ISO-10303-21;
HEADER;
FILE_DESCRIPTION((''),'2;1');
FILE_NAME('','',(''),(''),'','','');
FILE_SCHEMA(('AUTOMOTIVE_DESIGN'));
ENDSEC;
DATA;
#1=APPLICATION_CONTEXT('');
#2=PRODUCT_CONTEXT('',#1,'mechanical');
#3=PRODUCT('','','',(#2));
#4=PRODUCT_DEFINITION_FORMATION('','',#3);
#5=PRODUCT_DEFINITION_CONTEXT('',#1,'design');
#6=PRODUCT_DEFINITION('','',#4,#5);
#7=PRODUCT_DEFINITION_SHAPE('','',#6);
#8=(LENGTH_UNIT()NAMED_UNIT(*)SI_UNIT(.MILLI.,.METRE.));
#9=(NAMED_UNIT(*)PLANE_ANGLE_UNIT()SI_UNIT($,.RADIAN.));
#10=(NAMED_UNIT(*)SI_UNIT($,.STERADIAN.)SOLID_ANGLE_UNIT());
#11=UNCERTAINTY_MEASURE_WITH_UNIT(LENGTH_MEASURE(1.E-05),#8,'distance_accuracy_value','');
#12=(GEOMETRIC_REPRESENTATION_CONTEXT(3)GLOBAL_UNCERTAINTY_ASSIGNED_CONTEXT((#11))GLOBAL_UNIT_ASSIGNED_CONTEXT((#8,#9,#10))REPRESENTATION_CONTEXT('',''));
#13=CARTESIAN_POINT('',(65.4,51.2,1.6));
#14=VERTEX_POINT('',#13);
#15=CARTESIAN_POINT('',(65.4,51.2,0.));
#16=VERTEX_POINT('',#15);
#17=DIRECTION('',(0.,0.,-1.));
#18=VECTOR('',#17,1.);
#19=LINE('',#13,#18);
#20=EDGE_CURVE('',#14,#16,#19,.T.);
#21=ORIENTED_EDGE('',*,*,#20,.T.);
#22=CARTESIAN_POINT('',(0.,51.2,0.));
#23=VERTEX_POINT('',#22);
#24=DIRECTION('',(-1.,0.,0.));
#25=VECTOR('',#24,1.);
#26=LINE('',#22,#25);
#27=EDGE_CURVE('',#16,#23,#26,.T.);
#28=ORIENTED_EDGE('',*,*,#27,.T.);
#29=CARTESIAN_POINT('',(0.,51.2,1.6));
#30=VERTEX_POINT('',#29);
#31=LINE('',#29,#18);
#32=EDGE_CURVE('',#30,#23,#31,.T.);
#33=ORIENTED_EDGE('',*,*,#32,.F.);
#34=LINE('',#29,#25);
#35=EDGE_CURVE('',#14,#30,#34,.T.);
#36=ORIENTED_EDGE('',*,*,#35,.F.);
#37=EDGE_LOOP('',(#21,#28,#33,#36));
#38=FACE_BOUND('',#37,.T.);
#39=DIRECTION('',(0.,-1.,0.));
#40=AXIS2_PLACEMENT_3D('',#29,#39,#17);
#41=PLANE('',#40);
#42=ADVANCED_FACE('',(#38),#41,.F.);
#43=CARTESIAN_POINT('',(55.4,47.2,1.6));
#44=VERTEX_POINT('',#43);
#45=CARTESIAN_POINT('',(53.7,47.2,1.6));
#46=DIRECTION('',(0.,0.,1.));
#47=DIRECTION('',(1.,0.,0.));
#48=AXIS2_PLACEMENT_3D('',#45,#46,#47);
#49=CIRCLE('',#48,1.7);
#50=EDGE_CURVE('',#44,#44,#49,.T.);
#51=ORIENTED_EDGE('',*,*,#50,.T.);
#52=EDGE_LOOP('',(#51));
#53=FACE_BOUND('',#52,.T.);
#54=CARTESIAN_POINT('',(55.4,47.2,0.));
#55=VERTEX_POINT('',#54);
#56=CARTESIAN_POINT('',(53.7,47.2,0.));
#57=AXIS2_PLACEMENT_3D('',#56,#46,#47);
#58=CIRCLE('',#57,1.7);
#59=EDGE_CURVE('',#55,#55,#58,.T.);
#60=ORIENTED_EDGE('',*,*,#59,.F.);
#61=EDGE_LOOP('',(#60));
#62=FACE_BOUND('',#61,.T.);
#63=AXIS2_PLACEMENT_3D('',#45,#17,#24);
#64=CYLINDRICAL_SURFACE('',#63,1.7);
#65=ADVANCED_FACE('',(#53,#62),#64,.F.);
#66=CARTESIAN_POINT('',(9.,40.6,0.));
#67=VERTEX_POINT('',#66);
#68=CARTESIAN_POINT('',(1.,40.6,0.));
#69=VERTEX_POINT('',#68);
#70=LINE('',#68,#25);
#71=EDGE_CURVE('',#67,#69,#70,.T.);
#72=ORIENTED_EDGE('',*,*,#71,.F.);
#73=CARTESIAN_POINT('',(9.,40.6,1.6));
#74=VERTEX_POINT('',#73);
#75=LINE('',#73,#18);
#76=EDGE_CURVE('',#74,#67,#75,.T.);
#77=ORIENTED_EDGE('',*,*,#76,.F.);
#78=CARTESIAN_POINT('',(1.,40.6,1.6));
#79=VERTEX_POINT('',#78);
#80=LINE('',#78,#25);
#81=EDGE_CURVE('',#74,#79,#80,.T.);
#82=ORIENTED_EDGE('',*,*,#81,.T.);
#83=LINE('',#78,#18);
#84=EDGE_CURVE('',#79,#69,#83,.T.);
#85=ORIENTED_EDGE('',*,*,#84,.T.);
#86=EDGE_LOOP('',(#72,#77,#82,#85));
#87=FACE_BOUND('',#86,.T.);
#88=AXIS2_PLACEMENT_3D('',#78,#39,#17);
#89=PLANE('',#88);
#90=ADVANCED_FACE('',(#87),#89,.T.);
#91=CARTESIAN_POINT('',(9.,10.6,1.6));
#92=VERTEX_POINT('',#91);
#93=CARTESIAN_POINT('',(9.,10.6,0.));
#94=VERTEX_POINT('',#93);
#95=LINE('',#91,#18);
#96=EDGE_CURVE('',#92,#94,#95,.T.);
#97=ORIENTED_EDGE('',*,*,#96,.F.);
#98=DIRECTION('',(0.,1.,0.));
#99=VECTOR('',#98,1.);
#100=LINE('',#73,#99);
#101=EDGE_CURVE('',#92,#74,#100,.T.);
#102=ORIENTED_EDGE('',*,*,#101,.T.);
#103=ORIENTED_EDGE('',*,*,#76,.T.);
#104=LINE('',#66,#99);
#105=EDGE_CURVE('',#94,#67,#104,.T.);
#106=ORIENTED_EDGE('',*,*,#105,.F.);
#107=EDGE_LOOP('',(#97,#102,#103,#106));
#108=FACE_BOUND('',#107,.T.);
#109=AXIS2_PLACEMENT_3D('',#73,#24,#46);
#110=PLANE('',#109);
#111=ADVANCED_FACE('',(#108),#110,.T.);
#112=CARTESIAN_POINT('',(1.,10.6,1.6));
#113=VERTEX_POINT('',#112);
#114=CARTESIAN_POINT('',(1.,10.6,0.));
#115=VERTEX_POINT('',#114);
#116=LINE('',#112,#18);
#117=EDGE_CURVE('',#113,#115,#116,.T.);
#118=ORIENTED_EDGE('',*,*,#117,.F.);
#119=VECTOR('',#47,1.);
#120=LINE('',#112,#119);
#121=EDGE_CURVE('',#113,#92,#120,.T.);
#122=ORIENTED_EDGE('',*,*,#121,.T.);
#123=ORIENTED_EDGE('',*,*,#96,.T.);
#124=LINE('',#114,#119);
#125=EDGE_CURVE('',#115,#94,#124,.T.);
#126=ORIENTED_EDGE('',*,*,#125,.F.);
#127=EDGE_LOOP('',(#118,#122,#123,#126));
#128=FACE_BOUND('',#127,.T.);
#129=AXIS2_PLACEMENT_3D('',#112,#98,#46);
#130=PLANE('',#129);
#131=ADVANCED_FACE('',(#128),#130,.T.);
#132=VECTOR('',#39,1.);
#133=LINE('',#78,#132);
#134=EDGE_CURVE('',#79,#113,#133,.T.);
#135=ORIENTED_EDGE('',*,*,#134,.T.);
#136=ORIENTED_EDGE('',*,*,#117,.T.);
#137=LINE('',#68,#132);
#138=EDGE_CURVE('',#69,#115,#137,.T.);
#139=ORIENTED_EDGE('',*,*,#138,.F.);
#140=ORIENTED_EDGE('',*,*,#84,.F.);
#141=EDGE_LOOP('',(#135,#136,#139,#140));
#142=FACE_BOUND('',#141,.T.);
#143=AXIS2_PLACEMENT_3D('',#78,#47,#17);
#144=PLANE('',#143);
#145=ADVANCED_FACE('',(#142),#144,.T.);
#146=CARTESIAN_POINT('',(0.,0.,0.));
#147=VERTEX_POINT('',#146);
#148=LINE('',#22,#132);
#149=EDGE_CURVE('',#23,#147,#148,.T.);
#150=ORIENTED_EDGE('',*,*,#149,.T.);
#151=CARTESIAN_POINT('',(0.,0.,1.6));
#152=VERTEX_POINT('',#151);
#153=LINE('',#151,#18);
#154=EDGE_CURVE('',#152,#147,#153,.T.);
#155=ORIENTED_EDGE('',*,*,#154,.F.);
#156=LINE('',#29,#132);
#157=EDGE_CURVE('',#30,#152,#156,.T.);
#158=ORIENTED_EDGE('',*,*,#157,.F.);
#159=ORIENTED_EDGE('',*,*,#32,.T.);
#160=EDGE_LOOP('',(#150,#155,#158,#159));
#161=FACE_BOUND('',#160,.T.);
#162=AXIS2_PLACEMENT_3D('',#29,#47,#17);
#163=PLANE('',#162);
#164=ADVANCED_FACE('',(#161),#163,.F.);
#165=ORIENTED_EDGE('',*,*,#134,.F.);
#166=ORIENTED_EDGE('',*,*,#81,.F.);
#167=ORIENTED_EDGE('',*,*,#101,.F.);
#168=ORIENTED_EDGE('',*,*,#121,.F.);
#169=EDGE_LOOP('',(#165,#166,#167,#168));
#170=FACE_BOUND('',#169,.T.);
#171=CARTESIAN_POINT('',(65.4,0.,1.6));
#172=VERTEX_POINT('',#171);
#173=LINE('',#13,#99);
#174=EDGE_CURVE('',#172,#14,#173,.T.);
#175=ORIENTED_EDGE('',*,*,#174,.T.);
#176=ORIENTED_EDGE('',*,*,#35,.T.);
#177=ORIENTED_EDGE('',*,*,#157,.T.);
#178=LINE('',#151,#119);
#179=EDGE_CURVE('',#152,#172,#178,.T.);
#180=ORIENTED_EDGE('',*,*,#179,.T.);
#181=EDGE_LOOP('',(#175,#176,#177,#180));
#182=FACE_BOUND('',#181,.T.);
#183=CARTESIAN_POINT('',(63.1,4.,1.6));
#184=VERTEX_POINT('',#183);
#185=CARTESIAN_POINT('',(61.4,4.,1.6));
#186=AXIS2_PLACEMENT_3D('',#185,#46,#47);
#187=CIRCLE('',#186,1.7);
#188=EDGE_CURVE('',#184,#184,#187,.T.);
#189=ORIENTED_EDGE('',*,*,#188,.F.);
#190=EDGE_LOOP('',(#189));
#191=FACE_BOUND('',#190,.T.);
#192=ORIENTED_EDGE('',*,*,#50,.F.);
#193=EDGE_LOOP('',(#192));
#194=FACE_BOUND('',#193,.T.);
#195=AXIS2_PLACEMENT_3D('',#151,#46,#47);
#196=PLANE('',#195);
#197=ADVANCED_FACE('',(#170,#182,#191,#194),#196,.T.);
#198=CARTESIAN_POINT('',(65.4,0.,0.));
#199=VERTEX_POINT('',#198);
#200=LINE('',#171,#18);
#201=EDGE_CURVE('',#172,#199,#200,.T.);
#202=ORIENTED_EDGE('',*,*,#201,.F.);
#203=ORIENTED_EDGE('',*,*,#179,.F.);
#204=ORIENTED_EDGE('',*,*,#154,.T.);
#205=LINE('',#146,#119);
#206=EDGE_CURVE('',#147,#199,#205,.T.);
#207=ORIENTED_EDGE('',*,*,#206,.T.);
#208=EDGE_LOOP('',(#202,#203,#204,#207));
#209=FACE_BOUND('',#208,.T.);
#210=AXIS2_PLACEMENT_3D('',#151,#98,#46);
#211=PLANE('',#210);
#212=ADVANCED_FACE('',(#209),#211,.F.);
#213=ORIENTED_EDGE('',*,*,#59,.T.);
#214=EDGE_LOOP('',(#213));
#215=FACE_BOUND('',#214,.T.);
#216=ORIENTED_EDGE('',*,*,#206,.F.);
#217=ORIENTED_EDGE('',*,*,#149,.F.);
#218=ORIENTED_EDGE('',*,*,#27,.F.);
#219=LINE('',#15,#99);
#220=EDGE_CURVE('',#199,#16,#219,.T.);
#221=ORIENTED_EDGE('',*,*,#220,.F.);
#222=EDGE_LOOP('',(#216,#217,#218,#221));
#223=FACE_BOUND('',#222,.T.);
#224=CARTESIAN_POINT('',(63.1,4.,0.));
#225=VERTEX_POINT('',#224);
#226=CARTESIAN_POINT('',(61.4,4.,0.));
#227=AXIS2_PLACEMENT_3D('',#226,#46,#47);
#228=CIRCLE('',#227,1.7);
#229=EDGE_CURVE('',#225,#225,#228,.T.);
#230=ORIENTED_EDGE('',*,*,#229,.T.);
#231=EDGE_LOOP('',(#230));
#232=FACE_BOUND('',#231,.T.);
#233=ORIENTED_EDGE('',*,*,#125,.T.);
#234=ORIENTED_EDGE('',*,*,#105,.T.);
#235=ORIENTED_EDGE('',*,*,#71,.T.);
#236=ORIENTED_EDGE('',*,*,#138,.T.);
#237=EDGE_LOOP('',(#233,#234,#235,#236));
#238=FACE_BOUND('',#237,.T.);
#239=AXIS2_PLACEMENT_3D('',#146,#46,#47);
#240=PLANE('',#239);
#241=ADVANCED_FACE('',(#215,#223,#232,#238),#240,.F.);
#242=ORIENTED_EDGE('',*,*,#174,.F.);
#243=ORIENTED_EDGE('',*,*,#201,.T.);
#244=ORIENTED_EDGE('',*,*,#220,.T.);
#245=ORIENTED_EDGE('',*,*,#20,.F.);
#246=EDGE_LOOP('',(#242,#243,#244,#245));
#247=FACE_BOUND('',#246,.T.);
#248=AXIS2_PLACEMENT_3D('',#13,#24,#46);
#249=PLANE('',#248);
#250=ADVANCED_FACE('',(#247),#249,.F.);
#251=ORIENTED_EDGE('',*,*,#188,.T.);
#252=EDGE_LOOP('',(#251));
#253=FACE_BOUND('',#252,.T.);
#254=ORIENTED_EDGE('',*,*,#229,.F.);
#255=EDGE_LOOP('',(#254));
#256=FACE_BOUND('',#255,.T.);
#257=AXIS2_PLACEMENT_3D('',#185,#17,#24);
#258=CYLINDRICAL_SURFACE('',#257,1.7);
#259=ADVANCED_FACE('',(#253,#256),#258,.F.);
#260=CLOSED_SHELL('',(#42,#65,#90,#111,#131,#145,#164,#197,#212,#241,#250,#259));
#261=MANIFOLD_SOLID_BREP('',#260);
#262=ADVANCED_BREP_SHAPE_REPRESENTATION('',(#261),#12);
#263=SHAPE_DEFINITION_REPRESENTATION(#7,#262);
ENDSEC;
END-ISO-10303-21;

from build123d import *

# Parameters (mm, degrees)
SKETCH1_W           = 65.4
SKETCH1_H           = 51.2
SKETCH1_R           = 1.7
SKETCH1_W_2         = 8
SKETCH1_H_2         = 30
BOSS_EXTRUDE1_DEPTH = 1.6


with BuildPart() as part:
    # Sketch1 → Boss-Extrude1 (new body)
    with BuildSketch(Plane.XY):
        with Locations((32.7, 25.6)):
            Rectangle(SKETCH1_W, SKETCH1_H)
        with Locations((61.4, 4)):
            Circle(SKETCH1_R, mode=Mode.SUBTRACT)
        with Locations((53.7, 47.2)):
            Circle(SKETCH1_R, mode=Mode.SUBTRACT)
        with Locations((5, 25.6)):
            Rectangle(SKETCH1_W_2, SKETCH1_H_2, mode=Mode.SUBTRACT)
    extrude(amount=BOSS_EXTRUDE1_DEPTH)


solid = part.part
